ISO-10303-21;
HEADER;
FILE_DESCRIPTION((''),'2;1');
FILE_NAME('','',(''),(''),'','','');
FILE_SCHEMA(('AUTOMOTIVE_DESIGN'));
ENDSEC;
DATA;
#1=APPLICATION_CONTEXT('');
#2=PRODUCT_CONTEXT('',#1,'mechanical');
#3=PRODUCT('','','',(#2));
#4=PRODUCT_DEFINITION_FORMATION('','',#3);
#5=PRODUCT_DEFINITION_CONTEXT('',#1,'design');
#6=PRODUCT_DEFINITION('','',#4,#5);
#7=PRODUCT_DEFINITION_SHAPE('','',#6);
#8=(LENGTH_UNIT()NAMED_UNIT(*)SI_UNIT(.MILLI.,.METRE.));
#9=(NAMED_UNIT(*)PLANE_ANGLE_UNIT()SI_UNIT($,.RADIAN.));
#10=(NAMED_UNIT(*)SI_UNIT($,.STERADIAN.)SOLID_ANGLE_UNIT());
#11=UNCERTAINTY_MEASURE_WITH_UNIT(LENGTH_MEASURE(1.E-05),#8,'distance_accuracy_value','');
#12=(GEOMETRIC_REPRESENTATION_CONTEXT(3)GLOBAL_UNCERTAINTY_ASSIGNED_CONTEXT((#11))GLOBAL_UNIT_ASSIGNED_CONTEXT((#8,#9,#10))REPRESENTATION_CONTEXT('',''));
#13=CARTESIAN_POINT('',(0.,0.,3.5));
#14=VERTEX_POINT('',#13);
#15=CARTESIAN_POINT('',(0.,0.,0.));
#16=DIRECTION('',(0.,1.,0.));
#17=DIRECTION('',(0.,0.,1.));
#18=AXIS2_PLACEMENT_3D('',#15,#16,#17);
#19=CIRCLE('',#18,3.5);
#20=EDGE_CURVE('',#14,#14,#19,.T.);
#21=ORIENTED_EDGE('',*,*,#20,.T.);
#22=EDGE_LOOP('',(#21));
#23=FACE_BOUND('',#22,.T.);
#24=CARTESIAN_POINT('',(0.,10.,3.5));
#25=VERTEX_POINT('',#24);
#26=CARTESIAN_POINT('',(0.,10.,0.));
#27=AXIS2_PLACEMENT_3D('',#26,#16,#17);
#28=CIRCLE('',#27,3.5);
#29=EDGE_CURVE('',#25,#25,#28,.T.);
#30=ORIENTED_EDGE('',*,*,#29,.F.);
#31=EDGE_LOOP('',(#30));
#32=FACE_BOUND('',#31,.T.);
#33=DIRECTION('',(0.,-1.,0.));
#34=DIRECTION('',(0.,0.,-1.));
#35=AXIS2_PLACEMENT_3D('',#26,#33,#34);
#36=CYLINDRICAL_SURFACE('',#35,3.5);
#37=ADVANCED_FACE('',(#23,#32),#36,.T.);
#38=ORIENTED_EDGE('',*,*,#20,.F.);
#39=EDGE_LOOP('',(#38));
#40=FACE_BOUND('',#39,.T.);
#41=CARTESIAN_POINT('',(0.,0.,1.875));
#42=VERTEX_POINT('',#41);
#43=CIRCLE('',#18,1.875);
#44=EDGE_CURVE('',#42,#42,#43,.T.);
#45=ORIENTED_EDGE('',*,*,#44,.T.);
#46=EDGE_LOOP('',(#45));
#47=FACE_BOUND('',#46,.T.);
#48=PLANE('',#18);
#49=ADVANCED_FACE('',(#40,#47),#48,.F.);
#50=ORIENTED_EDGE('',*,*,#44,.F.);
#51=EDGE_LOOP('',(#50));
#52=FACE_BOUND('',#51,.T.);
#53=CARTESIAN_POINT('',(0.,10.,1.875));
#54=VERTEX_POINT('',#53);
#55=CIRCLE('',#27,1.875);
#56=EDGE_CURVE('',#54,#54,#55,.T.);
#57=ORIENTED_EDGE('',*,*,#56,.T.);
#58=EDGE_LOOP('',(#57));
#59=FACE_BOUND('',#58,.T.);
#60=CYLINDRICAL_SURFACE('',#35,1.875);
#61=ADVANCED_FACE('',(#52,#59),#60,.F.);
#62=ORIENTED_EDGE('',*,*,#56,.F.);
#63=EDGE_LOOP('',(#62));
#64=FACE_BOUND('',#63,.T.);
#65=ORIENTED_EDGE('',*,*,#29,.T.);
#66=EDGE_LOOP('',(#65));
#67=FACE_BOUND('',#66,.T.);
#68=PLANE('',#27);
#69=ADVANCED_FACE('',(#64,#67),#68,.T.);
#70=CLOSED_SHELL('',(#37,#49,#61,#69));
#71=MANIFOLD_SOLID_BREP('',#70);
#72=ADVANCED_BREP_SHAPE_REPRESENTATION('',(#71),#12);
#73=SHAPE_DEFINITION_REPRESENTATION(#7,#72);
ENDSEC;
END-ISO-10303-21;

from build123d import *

# Parameters (mm, degrees)
CROQUIS1_R              = 3.5
CROQUIS1_R_2            = 1.875
SALIENTE_EXTRUIR1_DEPTH = 10


with BuildPart() as part:
    # Croquis1 → Saliente-Extruir1 (new body)
    with BuildSketch(Plane(origin=(0, 0, 0), x_dir=(1, 0, 0), z_dir=(0, 1, 0))):
        with Locations(Location((0, 0, 0), (0, 0, 270))):
            Circle(CROQUIS1_R)
        with Locations(Location((0, 0, 0), (0, 0, 270))):
            Circle(CROQUIS1_R_2, mode=Mode.SUBTRACT)
    extrude(amount=SALIENTE_EXTRUIR1_DEPTH)


solid = part.part
